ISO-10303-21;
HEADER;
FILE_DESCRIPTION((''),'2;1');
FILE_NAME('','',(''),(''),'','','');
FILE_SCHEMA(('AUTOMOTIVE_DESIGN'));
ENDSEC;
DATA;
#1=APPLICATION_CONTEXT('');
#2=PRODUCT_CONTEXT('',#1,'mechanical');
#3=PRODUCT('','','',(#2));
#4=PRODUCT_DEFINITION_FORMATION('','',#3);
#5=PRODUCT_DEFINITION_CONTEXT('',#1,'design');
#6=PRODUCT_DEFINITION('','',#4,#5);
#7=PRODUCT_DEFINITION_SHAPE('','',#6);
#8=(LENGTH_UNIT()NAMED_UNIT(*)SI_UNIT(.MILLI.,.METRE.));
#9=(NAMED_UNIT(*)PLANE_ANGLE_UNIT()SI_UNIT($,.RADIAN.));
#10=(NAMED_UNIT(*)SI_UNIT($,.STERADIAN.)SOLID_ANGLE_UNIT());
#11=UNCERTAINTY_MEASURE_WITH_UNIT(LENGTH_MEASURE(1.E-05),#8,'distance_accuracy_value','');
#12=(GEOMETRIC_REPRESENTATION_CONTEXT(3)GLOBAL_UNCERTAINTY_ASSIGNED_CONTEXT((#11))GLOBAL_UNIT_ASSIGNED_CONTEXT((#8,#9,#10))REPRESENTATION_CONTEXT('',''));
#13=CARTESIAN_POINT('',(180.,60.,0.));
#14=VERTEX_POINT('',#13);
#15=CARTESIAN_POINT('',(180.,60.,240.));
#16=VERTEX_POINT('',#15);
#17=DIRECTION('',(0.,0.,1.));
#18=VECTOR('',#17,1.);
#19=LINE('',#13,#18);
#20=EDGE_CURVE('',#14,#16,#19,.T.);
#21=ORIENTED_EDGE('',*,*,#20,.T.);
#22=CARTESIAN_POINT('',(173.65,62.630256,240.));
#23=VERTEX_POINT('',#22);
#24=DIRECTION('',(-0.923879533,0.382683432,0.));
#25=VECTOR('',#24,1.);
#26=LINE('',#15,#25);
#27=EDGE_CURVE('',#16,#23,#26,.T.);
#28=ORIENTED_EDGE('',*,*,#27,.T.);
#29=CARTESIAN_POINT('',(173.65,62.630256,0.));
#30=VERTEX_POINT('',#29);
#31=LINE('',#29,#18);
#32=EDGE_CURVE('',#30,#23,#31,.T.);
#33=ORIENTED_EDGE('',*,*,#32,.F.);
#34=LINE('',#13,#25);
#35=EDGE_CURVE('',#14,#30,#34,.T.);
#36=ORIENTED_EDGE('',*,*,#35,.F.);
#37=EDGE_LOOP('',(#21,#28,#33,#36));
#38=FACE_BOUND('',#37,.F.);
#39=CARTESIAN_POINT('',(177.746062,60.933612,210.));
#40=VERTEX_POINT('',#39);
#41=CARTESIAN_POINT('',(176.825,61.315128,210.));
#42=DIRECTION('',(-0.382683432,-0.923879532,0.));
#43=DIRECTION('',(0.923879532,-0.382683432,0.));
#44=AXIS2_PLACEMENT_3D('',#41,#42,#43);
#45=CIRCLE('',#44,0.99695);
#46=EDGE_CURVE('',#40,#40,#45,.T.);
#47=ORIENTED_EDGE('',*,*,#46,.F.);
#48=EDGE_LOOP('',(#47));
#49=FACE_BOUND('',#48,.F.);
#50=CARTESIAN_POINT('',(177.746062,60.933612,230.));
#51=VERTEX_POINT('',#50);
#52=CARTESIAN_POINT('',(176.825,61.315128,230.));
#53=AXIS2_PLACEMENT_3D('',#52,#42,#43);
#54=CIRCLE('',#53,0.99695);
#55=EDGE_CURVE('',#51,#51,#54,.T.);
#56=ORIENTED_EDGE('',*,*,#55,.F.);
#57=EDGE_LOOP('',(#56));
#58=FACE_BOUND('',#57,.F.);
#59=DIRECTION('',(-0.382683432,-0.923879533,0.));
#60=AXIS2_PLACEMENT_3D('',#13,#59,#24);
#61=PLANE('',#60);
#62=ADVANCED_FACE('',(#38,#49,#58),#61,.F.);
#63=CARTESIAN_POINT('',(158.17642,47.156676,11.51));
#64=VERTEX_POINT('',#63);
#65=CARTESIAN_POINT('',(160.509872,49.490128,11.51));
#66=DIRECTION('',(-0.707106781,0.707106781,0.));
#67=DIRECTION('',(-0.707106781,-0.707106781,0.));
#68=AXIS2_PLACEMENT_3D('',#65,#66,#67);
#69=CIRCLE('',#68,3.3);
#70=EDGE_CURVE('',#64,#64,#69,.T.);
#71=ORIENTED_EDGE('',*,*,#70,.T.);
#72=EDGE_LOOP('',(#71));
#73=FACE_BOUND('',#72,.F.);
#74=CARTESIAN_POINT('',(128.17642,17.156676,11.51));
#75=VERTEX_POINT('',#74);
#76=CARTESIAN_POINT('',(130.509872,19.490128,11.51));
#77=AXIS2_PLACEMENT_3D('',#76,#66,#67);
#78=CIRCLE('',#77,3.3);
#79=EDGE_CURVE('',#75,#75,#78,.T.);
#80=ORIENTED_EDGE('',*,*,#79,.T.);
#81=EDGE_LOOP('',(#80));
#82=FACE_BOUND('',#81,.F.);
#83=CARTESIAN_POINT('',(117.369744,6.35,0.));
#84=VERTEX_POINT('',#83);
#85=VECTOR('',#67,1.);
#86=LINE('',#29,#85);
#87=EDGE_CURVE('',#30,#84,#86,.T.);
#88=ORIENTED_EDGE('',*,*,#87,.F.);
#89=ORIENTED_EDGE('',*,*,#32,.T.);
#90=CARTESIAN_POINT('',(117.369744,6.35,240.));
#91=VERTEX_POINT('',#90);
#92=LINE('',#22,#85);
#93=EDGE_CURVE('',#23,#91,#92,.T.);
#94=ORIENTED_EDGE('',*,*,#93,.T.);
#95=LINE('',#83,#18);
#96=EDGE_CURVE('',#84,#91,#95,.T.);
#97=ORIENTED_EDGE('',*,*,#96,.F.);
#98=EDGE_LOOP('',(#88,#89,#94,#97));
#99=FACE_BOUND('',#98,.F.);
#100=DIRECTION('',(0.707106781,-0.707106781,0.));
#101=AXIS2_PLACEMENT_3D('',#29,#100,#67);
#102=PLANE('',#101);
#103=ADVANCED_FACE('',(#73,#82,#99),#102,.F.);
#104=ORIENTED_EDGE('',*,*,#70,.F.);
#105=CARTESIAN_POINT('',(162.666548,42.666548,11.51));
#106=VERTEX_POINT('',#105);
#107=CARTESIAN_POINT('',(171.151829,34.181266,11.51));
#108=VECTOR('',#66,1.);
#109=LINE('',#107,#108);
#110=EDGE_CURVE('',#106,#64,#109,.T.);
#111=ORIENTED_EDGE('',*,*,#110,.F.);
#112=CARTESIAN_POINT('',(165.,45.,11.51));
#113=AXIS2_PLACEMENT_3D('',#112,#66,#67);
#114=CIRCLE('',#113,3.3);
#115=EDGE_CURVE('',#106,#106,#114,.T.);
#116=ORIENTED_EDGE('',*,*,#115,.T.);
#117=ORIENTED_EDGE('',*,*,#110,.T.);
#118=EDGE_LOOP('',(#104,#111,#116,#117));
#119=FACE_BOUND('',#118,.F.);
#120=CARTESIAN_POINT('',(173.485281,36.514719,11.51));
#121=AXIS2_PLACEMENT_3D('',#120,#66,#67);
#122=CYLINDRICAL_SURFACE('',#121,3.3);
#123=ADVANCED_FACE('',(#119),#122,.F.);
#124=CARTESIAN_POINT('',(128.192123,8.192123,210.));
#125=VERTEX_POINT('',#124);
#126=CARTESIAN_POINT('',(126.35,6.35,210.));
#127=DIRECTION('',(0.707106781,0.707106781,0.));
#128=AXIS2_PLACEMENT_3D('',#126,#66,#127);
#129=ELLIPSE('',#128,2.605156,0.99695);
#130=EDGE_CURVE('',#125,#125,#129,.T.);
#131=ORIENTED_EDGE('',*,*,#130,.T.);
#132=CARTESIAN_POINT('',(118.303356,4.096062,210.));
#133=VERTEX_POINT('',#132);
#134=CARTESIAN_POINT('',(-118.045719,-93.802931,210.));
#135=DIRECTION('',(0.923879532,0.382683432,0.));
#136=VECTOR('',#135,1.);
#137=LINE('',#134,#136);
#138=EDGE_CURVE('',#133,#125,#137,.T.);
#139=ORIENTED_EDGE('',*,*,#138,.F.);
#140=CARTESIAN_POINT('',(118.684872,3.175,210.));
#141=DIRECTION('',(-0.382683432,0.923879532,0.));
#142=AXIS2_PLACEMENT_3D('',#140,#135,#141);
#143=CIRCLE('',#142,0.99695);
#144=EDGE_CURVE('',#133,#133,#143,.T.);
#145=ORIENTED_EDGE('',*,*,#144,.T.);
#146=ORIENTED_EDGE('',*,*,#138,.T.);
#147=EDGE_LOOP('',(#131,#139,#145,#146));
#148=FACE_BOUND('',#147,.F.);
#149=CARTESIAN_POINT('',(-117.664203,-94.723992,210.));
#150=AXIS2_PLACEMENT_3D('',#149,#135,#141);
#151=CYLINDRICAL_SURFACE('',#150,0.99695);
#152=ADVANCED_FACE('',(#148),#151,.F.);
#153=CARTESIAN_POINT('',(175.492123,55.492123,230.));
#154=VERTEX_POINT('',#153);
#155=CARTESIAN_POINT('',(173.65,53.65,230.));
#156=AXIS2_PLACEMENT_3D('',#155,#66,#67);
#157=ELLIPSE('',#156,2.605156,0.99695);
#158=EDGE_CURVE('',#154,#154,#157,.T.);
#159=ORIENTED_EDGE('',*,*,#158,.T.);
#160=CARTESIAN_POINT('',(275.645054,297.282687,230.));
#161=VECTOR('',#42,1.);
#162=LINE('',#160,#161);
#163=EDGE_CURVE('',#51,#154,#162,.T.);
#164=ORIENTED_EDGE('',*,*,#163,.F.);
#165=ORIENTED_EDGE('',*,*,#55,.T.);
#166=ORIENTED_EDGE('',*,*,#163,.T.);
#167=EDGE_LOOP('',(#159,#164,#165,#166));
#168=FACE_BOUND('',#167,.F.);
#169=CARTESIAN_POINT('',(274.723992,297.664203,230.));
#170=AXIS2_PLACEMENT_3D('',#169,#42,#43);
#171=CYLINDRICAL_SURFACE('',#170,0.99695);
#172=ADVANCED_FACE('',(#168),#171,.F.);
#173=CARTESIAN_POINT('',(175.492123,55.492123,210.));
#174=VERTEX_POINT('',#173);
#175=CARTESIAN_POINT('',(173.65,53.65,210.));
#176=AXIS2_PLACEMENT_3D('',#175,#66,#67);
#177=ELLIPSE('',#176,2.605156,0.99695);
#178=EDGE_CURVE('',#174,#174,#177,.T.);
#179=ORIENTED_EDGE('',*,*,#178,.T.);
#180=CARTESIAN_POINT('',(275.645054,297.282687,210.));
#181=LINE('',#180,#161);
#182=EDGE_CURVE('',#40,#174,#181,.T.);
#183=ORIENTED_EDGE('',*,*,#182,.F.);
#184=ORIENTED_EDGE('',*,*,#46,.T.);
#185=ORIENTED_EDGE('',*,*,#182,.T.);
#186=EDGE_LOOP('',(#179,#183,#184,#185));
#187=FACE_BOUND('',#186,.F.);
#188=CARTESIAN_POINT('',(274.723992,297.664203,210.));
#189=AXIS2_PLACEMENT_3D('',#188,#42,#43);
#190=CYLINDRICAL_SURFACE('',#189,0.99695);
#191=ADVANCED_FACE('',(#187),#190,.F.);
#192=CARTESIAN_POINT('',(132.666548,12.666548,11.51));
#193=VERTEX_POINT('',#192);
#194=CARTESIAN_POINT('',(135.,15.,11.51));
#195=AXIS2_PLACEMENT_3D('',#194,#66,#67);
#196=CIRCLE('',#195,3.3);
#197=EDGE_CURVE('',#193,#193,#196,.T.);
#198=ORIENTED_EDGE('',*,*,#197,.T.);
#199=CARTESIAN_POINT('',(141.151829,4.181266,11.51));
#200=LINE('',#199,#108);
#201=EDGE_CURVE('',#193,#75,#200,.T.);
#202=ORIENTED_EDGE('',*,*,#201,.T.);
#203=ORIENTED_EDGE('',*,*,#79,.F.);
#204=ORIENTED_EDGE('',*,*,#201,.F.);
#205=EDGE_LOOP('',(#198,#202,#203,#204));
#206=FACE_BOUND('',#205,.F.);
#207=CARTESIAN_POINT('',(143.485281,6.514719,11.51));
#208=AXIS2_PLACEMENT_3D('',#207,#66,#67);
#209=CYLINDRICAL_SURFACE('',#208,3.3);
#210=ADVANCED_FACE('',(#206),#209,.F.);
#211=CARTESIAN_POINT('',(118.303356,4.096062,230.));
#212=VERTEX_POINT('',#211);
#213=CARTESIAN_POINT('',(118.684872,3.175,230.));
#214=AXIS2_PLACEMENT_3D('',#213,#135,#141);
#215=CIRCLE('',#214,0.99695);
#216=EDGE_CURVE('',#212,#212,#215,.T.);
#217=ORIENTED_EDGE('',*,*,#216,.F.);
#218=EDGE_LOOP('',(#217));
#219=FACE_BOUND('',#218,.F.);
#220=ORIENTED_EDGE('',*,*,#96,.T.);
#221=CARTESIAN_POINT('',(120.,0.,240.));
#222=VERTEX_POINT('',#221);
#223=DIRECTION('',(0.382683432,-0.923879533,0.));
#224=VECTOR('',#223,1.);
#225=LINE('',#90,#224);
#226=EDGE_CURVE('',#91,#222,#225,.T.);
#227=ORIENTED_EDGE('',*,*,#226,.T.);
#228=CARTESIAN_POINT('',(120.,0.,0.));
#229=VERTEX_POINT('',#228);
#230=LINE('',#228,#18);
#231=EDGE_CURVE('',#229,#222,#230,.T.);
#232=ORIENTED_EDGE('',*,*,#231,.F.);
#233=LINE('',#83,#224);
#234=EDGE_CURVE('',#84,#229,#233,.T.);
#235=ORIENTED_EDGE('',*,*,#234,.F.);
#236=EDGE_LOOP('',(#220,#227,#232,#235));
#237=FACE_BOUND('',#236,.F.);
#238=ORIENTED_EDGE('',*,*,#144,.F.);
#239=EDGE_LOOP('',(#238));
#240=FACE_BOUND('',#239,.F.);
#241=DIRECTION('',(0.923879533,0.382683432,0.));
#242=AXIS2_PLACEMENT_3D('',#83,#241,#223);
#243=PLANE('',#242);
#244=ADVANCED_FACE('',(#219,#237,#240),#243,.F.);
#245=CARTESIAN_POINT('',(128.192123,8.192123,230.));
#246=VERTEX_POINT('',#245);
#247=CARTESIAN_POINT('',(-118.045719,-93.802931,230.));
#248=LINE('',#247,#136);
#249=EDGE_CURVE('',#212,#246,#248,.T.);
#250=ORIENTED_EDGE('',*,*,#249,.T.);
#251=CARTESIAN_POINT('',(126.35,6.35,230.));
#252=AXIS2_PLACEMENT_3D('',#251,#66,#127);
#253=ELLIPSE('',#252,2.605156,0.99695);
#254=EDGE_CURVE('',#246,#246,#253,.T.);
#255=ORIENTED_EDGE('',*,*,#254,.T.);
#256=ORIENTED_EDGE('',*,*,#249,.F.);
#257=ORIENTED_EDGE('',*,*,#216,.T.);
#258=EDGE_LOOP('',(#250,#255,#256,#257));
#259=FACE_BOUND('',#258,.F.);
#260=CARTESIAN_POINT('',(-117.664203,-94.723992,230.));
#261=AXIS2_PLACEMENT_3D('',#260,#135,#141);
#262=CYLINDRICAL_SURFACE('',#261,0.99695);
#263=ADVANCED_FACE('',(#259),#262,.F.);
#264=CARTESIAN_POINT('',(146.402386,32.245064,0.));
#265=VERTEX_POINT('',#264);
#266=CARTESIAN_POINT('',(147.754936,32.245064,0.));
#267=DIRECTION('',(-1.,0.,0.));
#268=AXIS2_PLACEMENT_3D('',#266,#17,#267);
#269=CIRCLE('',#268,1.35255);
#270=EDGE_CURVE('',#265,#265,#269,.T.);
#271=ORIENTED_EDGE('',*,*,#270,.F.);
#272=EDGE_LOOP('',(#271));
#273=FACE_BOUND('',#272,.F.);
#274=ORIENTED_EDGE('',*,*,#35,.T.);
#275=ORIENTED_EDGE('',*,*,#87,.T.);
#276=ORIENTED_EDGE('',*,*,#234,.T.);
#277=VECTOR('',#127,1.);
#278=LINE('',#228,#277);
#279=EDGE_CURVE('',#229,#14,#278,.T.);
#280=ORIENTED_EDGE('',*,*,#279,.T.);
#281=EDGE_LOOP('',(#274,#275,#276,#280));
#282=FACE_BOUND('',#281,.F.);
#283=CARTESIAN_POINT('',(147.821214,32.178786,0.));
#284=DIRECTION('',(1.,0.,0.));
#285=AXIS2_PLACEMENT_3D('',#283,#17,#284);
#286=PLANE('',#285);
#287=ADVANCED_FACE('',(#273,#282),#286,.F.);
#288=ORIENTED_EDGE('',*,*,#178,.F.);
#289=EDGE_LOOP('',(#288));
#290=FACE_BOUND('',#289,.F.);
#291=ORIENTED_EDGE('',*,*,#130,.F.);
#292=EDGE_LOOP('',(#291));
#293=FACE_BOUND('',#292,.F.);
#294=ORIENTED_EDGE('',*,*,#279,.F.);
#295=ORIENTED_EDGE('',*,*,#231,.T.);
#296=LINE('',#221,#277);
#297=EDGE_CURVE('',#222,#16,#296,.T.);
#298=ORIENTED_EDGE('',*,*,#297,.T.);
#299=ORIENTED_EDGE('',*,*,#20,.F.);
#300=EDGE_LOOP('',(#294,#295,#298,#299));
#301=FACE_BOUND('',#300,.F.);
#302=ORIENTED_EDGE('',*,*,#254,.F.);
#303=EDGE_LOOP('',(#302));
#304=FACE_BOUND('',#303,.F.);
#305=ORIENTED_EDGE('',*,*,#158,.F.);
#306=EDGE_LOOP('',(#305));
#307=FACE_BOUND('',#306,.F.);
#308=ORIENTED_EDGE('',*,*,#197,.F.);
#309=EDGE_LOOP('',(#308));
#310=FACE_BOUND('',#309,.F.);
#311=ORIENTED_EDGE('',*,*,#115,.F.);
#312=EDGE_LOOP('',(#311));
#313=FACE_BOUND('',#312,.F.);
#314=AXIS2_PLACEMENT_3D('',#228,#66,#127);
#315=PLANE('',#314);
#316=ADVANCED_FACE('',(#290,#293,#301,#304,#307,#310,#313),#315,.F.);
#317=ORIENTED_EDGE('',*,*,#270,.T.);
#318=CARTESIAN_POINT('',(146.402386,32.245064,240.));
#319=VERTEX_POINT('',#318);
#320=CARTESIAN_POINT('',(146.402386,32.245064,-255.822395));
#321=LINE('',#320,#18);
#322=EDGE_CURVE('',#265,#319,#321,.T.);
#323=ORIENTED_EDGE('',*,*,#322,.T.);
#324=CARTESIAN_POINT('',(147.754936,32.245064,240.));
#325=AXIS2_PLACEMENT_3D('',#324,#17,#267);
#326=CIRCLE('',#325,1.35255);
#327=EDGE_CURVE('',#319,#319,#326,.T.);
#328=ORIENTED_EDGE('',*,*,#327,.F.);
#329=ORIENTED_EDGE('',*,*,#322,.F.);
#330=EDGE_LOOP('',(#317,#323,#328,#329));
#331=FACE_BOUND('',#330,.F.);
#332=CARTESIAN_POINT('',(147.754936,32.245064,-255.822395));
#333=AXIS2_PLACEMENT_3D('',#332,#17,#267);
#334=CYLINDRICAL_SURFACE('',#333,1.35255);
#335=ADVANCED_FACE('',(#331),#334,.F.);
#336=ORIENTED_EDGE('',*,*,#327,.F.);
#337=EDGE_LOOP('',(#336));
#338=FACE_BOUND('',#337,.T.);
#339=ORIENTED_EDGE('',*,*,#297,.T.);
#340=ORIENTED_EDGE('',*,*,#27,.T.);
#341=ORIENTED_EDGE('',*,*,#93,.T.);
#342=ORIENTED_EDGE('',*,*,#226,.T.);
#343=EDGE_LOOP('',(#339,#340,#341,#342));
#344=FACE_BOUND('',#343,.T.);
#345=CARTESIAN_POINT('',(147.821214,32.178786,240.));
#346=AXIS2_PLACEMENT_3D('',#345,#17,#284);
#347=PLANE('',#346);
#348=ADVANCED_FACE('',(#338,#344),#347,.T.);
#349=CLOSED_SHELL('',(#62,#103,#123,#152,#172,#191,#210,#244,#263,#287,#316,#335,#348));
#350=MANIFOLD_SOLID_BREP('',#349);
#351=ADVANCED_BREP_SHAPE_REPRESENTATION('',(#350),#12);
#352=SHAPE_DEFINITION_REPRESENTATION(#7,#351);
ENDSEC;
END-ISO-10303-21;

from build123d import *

# Parameters (mm, degrees)
F1_DEPTH       = 240
F2_DEPTH       = 240
F3_DEPTH       = 240
F4_DEPTH       = 240
F9_D           = 6.6
F9_DEPTH       = 12
F9_TIP         = 1.9828400428
F9_ON_F5_D     = 6.6
F9_ON_F5_DEPTH = 12
F9_ON_F5_TIP   = 1.9828400428
F9_ON_F6_D     = 6.6
F9_ON_F6_DEPTH = 12
F9_ON_F6_TIP   = 1.9828400428
F9_ON_F7_D     = 6.6
F9_ON_F7_DEPTH = 12
F9_ON_F7_TIP   = 1.9828400428
F13_D          = 2.7051
F13_ON_F10_D   = 2.7051
F13_ON_F12_D   = 2.7051
F17_D          = 1.9939
F17_ON_F14_D   = 1.9939


with BuildPart() as f1:
    # F0 (on Top) → F1 (new body)
    with BuildSketch(Plane.XY):
        Polygon((-180, 60), (-120, 0), (-117.3697438789, 6.35), (-173.65, 62.6302561211), align=None)
    extrude(amount=F1_DEPTH)

    # F9 on F5
    with Locations(Plane(origin=(-60, -60, 0), x_dir=(0.7071067812, -0.7071067812, 0), z_dir=(-0.7071067812, -0.7071067812, 0))):
        with Locations((-106.066017178, 11.51), (-148.4924240492, 11.51)):
            Hole(F9_ON_F5_D / 2, depth=F9_ON_F5_DEPTH)
            with Locations((0, 0, -(F9_ON_F5_DEPTH + F9_ON_F5_TIP / 2))):  # 118° drill point
                Cone(0, F9_ON_F5_D / 2, F9_ON_F5_TIP, mode=Mode.SUBTRACT)

    # F13 on F10 (through all)
    with Locations(Plane(origin=(0, 0, 0), x_dir=(1, 0, 0), z_dir=(0, 0, -1))):
        with Locations((-147.7549359697, -32.2450640303)):
            Hole(F13_ON_F10_D / 2)


with BuildPart() as f2:
    # F0 (on Top) → F2 (new body)
    with BuildSketch(Plane.XY):
        Polygon((-120, 280), (-180, 220), (-173.65, 217.3697438789), (-117.3697438789, 273.65), align=None)
    extrude(amount=F2_DEPTH)

    # F9
    with Locations(Plane(origin=(-200, 200, 0), x_dir=(-0.7071067812, -0.7071067812, 0), z_dir=(-0.7071067812, 0.7071067812, 0))):
        with Locations((-91.9238815543, 11.51), (-49.4974746831, 11.51)):
            Hole(F9_D / 2, depth=F9_DEPTH)
            with Locations((0, 0, -(F9_DEPTH + F9_TIP / 2))):  # 118° drill point
                Cone(0, F9_D / 2, F9_TIP, mode=Mode.SUBTRACT)

    # F13 on F12 (through all)
    with Locations(Plane(origin=(0, 0, 0), x_dir=(1, 0, 0), z_dir=(0, 0, -1))):
        with Locations((-147.7549359697, -247.7549359697)):
            Hole(F13_ON_F12_D / 2)


with BuildPart() as f3:
    # F0 (on Top) → F3 (new body)
    with BuildSketch(Plane.XY):
        Polygon((173.65, 217.3697438789), (180, 220), (120, 280), (117.3697438789, 273.65), align=None)
    extrude(amount=F3_DEPTH)

    # F9 on F7
    with Locations(Plane(origin=(200, 200, 0), x_dir=(-0.7071067812, 0.7071067812, 0), z_dir=(0.7071067812, 0.7071067812, 0))):
        with Locations((49.4974746831, 11.51), (91.9238815543, 11.51)):
            Hole(F9_ON_F7_D / 2, depth=F9_ON_F7_DEPTH)
            with Locations((0, 0, -(F9_ON_F7_DEPTH + F9_ON_F7_TIP / 2))):  # 118° drill point
                Cone(0, F9_ON_F7_D / 2, F9_ON_F7_TIP, mode=Mode.SUBTRACT)


with BuildPart() as f4:
    # F0 (on Top) → F4 (new body)
    with BuildSketch(Plane.XY):
        Polygon((117.3697438789, 6.35), (120, 0), (180, 60), (173.65, 62.6302561211), align=None)
    extrude(amount=F4_DEPTH)

    # F9 on F6
    with Locations(Plane(origin=(60, -60, 0), x_dir=(0.7071067812, 0.7071067812, 0), z_dir=(0.7071067812, -0.7071067812, 0))):
        with Locations((148.4924240492, 11.51), (106.066017178, 11.51)):
            Hole(F9_ON_F6_D / 2, depth=F9_ON_F6_DEPTH)
            with Locations((0, 0, -(F9_ON_F6_DEPTH + F9_ON_F6_TIP / 2))):  # 118° drill point
                Cone(0, F9_ON_F6_D / 2, F9_ON_F6_TIP, mode=Mode.SUBTRACT)

    # F13 (through all)
    with Locations(Plane(origin=(0, 0, 0), x_dir=(1, 0, 0), z_dir=(0, 0, -1))):
        with Locations((147.7549359697, -32.2450640303)):
            Hole(F13_D / 2)

    # F17 (through all)
    with Locations(Plane(origin=(47.5735931288, 114.8528137424, 0), x_dir=(-0.9238795325, 0.3826834324, 0), z_dir=(0.3826834324, 0.9238795325, 0))):
        with Locations((-139.9007146742, 230), (-139.9007146742, 210)):
            Hole(F17_D / 2)

    # F17 on F14 (through all)
    with Locations(Plane(origin=(102.4264068712, 42.4264068712, 0), x_dir=(0.3826834324, -0.9238795325, 0), z_dir=(-0.9238795325, -0.3826834324, 0))):
        with Locations((42.4854166479, 230), (42.4854166479, 210)):
            Hole(F17_ON_F14_D / 2)


solid = f4.part
